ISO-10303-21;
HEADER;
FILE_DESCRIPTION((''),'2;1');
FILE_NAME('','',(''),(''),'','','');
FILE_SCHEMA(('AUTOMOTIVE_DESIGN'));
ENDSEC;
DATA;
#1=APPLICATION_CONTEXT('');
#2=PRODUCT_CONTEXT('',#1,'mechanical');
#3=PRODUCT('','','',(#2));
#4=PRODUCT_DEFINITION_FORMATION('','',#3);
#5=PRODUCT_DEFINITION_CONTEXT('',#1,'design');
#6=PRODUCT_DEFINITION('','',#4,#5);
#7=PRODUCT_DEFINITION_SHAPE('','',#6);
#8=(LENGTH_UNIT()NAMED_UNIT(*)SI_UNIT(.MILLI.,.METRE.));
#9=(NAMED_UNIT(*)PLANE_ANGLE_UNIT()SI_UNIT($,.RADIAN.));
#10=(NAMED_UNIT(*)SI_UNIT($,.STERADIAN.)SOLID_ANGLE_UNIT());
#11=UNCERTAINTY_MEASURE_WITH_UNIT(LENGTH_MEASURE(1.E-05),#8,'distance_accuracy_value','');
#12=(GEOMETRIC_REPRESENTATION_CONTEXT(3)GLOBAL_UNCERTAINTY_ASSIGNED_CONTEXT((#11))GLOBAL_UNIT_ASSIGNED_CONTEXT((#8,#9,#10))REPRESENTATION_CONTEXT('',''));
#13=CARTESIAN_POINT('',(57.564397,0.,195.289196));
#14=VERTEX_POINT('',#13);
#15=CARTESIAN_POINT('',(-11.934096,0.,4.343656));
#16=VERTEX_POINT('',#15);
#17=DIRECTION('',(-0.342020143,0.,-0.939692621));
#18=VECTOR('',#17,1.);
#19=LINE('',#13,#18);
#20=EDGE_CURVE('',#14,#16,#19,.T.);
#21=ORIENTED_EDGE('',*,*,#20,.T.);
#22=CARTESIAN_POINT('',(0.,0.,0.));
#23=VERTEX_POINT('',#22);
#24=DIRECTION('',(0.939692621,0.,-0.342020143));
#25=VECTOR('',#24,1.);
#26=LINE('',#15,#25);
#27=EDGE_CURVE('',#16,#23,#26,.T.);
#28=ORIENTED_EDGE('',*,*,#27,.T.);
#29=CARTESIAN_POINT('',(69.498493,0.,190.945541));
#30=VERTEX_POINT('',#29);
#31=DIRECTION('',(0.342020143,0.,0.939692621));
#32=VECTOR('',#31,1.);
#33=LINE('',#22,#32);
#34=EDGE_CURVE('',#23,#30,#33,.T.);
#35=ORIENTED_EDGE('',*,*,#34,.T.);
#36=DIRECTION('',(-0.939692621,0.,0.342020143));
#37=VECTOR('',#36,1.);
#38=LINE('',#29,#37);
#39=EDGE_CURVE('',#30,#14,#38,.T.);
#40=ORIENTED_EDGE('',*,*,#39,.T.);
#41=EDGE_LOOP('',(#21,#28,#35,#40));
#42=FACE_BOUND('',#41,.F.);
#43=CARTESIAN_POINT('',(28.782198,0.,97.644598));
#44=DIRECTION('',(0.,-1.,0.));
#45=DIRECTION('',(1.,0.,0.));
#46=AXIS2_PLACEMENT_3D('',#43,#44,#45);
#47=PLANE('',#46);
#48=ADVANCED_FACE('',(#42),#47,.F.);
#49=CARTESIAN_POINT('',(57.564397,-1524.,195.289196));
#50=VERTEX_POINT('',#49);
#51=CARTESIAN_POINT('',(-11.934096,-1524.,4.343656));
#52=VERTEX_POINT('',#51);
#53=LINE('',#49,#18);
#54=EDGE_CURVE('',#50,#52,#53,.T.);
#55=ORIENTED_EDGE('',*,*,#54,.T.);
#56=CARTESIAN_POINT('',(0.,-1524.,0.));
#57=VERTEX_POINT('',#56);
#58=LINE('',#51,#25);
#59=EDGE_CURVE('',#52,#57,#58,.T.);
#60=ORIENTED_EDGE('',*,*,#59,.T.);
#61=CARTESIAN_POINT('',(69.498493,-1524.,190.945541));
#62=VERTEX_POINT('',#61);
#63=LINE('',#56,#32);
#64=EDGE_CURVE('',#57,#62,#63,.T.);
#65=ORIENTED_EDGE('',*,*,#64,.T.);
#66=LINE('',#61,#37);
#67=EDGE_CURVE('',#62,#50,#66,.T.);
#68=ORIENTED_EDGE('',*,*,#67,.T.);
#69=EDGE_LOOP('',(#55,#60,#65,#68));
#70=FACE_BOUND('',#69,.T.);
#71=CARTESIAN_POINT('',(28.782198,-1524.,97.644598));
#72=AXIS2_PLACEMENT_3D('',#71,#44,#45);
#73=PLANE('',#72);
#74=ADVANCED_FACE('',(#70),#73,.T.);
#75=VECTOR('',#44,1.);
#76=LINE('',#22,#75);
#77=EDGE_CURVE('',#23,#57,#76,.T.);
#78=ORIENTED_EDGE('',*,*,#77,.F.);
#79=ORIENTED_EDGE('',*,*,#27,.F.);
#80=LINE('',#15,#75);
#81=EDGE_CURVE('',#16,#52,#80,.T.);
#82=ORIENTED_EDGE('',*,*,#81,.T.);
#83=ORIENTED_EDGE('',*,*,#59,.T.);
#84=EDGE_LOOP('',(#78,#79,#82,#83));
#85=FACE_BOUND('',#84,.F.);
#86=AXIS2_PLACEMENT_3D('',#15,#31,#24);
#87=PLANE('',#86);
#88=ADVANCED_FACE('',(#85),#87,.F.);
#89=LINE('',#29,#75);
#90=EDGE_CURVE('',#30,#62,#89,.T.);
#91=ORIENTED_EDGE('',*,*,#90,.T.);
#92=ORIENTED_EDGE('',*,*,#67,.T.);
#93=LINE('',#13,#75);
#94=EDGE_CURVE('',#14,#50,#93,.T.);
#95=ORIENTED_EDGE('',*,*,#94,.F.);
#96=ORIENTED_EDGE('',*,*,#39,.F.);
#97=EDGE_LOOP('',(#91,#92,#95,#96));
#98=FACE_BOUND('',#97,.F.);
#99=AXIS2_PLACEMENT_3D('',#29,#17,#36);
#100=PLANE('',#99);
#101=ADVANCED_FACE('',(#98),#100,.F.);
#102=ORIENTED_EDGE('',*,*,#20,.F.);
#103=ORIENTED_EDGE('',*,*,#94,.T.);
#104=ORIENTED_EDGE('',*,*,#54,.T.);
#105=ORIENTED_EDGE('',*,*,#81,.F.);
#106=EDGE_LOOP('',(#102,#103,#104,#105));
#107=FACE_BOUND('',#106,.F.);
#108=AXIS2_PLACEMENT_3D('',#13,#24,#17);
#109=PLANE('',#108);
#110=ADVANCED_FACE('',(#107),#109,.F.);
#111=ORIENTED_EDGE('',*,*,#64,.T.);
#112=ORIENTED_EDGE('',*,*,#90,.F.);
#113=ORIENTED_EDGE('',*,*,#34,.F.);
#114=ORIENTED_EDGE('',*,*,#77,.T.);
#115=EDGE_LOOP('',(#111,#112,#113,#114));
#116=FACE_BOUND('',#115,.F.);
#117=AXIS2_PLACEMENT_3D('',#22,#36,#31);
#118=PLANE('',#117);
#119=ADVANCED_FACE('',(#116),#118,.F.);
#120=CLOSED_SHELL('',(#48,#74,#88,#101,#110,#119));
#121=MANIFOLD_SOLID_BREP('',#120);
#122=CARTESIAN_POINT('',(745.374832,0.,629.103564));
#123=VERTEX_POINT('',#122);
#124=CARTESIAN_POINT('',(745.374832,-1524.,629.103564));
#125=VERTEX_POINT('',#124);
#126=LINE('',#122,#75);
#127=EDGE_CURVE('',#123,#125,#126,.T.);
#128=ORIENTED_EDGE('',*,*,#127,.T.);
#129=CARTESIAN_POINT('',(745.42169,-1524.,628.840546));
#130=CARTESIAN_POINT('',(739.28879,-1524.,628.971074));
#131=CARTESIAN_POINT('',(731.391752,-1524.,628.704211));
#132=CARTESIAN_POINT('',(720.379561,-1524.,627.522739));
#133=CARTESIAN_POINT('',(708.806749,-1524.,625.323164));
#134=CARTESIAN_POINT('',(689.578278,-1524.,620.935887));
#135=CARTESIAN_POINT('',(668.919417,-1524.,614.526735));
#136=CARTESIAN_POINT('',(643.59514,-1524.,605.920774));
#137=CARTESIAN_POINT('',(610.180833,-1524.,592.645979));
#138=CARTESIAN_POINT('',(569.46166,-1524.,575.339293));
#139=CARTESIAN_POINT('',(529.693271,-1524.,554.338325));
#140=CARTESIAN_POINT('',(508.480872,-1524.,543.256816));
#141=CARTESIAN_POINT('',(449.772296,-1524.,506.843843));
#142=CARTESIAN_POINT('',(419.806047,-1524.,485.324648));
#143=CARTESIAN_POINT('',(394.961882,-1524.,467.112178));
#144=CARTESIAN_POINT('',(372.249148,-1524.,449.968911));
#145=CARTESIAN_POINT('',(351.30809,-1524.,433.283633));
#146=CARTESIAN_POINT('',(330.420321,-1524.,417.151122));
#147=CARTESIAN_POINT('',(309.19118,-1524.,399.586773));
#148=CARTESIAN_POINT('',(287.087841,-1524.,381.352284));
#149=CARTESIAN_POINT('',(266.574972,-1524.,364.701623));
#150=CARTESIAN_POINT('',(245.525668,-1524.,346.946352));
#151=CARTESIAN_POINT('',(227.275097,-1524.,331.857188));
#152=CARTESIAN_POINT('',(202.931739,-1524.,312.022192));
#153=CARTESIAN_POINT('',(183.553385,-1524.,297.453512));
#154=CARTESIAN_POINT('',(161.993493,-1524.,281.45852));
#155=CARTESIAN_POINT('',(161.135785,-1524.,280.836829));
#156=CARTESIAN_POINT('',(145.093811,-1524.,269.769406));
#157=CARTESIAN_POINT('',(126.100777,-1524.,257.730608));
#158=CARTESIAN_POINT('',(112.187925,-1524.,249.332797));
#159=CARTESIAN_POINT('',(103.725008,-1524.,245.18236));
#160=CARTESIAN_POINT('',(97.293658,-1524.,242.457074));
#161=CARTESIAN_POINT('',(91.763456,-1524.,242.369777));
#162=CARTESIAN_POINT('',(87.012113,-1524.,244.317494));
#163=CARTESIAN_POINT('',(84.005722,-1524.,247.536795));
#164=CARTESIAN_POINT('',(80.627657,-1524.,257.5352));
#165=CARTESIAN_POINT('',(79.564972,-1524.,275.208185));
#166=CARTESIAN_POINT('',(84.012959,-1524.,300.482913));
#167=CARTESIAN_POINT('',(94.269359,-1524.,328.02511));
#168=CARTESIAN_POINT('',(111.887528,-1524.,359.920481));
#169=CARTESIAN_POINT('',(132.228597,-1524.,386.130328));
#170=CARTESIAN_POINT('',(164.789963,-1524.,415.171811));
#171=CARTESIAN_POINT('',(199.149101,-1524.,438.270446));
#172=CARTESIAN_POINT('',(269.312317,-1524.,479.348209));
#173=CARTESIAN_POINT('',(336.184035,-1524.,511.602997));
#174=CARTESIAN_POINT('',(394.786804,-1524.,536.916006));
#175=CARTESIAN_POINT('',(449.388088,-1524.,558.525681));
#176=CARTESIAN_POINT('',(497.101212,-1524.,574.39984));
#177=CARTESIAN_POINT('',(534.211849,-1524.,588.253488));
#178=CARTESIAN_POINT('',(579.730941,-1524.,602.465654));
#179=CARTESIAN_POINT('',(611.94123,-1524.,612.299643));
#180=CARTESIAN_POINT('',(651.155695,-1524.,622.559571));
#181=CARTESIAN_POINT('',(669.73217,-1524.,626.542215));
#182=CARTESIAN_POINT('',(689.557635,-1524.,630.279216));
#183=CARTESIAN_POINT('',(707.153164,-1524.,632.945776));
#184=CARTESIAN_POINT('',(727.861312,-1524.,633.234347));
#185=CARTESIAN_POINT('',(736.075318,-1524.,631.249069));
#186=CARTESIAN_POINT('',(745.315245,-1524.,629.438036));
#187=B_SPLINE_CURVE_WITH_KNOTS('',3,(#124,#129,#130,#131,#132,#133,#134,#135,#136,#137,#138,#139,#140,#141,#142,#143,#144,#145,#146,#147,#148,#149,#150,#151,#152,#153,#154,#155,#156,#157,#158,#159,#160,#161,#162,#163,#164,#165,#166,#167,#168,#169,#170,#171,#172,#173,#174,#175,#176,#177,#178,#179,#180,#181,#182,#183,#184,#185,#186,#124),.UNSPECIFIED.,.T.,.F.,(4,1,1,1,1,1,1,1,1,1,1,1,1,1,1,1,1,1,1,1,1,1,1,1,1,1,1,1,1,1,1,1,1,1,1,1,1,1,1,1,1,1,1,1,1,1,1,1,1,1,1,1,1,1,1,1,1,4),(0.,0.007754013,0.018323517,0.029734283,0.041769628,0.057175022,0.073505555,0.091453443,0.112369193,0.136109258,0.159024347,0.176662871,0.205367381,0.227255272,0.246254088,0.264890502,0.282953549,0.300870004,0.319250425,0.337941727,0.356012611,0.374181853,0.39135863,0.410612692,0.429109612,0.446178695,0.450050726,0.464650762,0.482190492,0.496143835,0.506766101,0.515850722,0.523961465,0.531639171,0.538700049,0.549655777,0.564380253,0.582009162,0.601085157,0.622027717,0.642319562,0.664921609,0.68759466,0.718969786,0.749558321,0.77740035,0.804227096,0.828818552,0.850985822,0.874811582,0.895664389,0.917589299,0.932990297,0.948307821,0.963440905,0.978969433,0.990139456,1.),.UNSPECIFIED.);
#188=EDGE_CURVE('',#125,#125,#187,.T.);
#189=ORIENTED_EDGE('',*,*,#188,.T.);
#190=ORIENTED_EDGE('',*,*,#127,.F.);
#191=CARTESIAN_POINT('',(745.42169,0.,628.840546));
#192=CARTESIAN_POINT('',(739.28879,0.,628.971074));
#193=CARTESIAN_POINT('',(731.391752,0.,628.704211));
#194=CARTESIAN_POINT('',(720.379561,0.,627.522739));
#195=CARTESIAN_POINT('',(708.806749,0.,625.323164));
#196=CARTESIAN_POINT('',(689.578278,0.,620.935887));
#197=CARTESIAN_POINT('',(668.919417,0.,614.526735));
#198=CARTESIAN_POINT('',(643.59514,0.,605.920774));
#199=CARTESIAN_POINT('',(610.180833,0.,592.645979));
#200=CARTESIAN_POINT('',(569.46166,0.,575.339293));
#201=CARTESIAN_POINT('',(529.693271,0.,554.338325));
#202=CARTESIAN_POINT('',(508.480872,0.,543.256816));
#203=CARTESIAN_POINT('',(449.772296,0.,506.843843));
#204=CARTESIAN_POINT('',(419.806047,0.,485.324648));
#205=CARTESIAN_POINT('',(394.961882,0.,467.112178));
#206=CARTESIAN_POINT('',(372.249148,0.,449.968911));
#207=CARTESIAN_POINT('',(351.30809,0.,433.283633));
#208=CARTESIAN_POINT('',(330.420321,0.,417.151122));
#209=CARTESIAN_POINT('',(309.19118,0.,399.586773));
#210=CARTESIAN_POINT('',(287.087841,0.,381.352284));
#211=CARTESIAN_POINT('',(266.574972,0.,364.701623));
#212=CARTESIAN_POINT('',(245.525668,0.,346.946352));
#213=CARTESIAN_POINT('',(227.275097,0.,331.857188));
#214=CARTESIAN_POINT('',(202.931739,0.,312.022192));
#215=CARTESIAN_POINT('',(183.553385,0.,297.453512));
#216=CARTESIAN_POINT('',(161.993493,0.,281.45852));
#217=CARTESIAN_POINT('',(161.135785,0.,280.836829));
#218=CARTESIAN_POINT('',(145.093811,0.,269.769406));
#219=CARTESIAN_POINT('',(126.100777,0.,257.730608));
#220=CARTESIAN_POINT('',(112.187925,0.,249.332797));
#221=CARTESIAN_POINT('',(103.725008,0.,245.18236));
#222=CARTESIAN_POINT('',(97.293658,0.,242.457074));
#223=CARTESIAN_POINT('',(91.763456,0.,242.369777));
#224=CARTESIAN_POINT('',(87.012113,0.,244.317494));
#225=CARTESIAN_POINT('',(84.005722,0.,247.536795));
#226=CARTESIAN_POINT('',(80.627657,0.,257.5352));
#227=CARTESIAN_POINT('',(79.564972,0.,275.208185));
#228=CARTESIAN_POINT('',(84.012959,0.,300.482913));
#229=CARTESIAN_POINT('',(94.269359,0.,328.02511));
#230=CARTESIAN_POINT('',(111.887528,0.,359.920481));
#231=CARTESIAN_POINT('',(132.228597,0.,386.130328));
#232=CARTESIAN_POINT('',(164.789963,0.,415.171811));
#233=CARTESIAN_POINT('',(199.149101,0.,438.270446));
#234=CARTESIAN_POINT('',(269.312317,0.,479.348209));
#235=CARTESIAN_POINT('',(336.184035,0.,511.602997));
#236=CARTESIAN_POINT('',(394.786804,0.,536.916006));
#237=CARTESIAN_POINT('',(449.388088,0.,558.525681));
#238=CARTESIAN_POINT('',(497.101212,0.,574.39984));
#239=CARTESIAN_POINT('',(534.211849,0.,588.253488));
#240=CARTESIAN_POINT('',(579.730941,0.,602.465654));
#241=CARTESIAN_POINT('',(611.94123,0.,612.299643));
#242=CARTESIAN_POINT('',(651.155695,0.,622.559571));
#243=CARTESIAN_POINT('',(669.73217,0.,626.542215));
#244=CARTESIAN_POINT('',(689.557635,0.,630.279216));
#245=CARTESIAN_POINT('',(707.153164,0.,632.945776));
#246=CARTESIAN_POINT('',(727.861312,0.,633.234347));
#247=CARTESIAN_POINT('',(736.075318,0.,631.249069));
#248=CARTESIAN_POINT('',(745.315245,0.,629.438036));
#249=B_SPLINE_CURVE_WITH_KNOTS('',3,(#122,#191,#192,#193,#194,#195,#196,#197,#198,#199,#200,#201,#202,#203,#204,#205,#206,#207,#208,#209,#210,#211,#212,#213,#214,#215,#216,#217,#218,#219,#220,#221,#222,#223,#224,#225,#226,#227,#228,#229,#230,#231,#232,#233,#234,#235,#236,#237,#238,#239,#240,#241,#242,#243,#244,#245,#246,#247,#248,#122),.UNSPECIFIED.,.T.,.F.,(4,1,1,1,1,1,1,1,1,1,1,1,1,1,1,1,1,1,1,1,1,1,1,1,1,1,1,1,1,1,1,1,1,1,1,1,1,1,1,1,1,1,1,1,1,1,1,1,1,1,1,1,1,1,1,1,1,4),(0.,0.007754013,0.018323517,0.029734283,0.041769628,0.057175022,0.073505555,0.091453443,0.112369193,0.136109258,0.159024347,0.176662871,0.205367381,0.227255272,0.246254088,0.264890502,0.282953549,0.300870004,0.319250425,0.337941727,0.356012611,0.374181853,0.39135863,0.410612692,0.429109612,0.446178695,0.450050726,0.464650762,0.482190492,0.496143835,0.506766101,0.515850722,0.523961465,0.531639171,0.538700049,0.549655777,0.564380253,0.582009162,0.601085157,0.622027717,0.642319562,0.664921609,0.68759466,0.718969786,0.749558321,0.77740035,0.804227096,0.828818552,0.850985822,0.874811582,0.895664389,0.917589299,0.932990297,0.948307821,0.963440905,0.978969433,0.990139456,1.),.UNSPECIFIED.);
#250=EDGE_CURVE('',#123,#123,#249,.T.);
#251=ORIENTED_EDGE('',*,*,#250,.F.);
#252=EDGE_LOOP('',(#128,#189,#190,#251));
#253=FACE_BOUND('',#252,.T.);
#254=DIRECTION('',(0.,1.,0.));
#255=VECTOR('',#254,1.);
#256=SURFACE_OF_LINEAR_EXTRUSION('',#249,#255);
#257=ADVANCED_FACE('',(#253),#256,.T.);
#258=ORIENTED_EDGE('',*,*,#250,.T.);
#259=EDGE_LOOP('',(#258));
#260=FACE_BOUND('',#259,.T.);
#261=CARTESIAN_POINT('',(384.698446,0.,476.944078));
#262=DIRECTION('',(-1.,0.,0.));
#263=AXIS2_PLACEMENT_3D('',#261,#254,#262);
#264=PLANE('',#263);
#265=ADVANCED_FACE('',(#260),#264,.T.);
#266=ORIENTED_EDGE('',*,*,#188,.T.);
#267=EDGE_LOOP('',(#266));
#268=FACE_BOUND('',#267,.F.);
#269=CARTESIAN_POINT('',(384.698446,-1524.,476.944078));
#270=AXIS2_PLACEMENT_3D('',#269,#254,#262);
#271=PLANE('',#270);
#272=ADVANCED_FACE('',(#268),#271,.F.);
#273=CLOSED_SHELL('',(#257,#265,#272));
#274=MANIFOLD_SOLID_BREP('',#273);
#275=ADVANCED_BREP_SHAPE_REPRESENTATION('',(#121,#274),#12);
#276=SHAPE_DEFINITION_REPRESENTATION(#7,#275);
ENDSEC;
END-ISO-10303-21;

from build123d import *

# Parameters (mm, degrees)
F1_DEPTH = 1524
F2_DEPTH = 1524


with BuildPart() as f1:
    # F0 (on Front) → F1 (new body)
    with BuildSketch(Plane.XZ):
        with BuildLine():
            add(Edge.make_bspline(
                [(745.3748324074, 629.1035638293), (745.4216902832, 628.8405459982), (739.2887902734, 628.9710743177), (731.3917521008, 628.7042108582), (720.3795613417, 627.5227386746), (708.806749198, 625.3231644681), (689.5782783724, 620.9358866865), (668.9194171537, 614.5267352997), (643.5951404208, 605.9207737197), (610.1808330782, 592.6459785395), (569.461659663, 575.3392927099), (529.6932712518, 554.3383245467), (508.4808720603, 543.2568158537), (449.7722963652, 506.8438425523), (419.806046669, 485.3246484224), (394.9618822581, 467.1121784924), (372.2491484362, 449.9689110631), (351.3080900327, 433.283632572), (330.4203208672, 417.1511217504), (309.1911797185, 399.5867727388), (287.087841487, 381.3522844318), (266.5749722695, 364.7016229047), (245.5256681812, 346.9463519314), (227.2750973673, 331.8571878866), (202.9317386259, 312.0221924997), (183.5533853907, 297.4535118747), (161.9934934304, 281.4585201086), (161.1357848583, 280.8368291929), (145.0938112368, 269.7694064758), (126.1007774361, 257.7306075865), (112.1879249685, 249.3327967085), (103.7250080196, 245.1823602806), (97.2936579564, 242.4570742336), (91.7634559758, 242.3697774308), (87.0121127171, 244.3174939327), (84.0057216302, 247.5367954557), (80.6276574142, 257.5352000388), (79.5649723286, 275.2081847058), (84.0129594976, 300.4829130191), (94.2693591686, 328.0251099503), (111.8875279359, 359.9204808486), (132.2285967465, 386.1303276247), (164.7899634987, 415.1718106271), (199.1491014392, 438.2704460193), (269.3123170164, 479.3482086075), (336.184034516, 511.6029973471), (394.7868035292, 536.9160061965), (449.3880877084, 558.5256812328), (497.1012120491, 574.3998396109), (534.2118494372, 588.253487988), (579.7309409408, 602.4656542048), (611.9412300937, 612.2996429136), (651.1556953163, 622.5595711374), (669.7321699335, 626.542214838), (689.5576349958, 630.2792159319), (707.1531641153, 632.9457761479), (727.8613117878, 633.2343467683), (736.0753176052, 631.2490690235), (745.31524466, 629.438035672), (745.3748324074, 629.1035638293)],
                knots=[0, 0, 0, 0, 0.0077540127, 0.0183235174, 0.0297342833, 0.0417696281, 0.0571750222, 0.0735055553, 0.0914534427, 0.112369193, 0.1361092576, 0.1590243467, 0.1766628708, 0.2053673812, 0.2272552725, 0.246254088, 0.264890502, 0.2829535494, 0.3008700037, 0.3192504254, 0.3379417268, 0.3560126107, 0.3741818526, 0.3913586302, 0.4106126918, 0.4291096123, 0.4461786952, 0.4500507258, 0.4646507618, 0.4821904919, 0.4961438347, 0.5067661008, 0.5158507219, 0.5239614652, 0.531639171, 0.5387000489, 0.5496557769, 0.5643802525, 0.582009162, 0.6010851571, 0.6220277174, 0.6423195621, 0.664921609, 0.6875946603, 0.7189697855, 0.7495583208, 0.7774003497, 0.8042270962, 0.8288185518, 0.8509858223, 0.8748115823, 0.8956643892, 0.9175892988, 0.9329902971, 0.9483078214, 0.9634409047, 0.9789694328, 0.990139456, 1, 1, 1, 1], degree=3))
        make_face()
    extrude(amount=F1_DEPTH)


with BuildPart() as f2:
    # F0 (on Front) → F2 (new body)
    with BuildSketch(Plane.XZ):
        Polygon((-11.934096284, 4.3436558202), (0, 0), (69.4984931238, 190.9455405437), (57.5643968398, 195.2891963639), align=None)
    extrude(amount=F2_DEPTH)


solid = Compound([f1.part, f2.part])
